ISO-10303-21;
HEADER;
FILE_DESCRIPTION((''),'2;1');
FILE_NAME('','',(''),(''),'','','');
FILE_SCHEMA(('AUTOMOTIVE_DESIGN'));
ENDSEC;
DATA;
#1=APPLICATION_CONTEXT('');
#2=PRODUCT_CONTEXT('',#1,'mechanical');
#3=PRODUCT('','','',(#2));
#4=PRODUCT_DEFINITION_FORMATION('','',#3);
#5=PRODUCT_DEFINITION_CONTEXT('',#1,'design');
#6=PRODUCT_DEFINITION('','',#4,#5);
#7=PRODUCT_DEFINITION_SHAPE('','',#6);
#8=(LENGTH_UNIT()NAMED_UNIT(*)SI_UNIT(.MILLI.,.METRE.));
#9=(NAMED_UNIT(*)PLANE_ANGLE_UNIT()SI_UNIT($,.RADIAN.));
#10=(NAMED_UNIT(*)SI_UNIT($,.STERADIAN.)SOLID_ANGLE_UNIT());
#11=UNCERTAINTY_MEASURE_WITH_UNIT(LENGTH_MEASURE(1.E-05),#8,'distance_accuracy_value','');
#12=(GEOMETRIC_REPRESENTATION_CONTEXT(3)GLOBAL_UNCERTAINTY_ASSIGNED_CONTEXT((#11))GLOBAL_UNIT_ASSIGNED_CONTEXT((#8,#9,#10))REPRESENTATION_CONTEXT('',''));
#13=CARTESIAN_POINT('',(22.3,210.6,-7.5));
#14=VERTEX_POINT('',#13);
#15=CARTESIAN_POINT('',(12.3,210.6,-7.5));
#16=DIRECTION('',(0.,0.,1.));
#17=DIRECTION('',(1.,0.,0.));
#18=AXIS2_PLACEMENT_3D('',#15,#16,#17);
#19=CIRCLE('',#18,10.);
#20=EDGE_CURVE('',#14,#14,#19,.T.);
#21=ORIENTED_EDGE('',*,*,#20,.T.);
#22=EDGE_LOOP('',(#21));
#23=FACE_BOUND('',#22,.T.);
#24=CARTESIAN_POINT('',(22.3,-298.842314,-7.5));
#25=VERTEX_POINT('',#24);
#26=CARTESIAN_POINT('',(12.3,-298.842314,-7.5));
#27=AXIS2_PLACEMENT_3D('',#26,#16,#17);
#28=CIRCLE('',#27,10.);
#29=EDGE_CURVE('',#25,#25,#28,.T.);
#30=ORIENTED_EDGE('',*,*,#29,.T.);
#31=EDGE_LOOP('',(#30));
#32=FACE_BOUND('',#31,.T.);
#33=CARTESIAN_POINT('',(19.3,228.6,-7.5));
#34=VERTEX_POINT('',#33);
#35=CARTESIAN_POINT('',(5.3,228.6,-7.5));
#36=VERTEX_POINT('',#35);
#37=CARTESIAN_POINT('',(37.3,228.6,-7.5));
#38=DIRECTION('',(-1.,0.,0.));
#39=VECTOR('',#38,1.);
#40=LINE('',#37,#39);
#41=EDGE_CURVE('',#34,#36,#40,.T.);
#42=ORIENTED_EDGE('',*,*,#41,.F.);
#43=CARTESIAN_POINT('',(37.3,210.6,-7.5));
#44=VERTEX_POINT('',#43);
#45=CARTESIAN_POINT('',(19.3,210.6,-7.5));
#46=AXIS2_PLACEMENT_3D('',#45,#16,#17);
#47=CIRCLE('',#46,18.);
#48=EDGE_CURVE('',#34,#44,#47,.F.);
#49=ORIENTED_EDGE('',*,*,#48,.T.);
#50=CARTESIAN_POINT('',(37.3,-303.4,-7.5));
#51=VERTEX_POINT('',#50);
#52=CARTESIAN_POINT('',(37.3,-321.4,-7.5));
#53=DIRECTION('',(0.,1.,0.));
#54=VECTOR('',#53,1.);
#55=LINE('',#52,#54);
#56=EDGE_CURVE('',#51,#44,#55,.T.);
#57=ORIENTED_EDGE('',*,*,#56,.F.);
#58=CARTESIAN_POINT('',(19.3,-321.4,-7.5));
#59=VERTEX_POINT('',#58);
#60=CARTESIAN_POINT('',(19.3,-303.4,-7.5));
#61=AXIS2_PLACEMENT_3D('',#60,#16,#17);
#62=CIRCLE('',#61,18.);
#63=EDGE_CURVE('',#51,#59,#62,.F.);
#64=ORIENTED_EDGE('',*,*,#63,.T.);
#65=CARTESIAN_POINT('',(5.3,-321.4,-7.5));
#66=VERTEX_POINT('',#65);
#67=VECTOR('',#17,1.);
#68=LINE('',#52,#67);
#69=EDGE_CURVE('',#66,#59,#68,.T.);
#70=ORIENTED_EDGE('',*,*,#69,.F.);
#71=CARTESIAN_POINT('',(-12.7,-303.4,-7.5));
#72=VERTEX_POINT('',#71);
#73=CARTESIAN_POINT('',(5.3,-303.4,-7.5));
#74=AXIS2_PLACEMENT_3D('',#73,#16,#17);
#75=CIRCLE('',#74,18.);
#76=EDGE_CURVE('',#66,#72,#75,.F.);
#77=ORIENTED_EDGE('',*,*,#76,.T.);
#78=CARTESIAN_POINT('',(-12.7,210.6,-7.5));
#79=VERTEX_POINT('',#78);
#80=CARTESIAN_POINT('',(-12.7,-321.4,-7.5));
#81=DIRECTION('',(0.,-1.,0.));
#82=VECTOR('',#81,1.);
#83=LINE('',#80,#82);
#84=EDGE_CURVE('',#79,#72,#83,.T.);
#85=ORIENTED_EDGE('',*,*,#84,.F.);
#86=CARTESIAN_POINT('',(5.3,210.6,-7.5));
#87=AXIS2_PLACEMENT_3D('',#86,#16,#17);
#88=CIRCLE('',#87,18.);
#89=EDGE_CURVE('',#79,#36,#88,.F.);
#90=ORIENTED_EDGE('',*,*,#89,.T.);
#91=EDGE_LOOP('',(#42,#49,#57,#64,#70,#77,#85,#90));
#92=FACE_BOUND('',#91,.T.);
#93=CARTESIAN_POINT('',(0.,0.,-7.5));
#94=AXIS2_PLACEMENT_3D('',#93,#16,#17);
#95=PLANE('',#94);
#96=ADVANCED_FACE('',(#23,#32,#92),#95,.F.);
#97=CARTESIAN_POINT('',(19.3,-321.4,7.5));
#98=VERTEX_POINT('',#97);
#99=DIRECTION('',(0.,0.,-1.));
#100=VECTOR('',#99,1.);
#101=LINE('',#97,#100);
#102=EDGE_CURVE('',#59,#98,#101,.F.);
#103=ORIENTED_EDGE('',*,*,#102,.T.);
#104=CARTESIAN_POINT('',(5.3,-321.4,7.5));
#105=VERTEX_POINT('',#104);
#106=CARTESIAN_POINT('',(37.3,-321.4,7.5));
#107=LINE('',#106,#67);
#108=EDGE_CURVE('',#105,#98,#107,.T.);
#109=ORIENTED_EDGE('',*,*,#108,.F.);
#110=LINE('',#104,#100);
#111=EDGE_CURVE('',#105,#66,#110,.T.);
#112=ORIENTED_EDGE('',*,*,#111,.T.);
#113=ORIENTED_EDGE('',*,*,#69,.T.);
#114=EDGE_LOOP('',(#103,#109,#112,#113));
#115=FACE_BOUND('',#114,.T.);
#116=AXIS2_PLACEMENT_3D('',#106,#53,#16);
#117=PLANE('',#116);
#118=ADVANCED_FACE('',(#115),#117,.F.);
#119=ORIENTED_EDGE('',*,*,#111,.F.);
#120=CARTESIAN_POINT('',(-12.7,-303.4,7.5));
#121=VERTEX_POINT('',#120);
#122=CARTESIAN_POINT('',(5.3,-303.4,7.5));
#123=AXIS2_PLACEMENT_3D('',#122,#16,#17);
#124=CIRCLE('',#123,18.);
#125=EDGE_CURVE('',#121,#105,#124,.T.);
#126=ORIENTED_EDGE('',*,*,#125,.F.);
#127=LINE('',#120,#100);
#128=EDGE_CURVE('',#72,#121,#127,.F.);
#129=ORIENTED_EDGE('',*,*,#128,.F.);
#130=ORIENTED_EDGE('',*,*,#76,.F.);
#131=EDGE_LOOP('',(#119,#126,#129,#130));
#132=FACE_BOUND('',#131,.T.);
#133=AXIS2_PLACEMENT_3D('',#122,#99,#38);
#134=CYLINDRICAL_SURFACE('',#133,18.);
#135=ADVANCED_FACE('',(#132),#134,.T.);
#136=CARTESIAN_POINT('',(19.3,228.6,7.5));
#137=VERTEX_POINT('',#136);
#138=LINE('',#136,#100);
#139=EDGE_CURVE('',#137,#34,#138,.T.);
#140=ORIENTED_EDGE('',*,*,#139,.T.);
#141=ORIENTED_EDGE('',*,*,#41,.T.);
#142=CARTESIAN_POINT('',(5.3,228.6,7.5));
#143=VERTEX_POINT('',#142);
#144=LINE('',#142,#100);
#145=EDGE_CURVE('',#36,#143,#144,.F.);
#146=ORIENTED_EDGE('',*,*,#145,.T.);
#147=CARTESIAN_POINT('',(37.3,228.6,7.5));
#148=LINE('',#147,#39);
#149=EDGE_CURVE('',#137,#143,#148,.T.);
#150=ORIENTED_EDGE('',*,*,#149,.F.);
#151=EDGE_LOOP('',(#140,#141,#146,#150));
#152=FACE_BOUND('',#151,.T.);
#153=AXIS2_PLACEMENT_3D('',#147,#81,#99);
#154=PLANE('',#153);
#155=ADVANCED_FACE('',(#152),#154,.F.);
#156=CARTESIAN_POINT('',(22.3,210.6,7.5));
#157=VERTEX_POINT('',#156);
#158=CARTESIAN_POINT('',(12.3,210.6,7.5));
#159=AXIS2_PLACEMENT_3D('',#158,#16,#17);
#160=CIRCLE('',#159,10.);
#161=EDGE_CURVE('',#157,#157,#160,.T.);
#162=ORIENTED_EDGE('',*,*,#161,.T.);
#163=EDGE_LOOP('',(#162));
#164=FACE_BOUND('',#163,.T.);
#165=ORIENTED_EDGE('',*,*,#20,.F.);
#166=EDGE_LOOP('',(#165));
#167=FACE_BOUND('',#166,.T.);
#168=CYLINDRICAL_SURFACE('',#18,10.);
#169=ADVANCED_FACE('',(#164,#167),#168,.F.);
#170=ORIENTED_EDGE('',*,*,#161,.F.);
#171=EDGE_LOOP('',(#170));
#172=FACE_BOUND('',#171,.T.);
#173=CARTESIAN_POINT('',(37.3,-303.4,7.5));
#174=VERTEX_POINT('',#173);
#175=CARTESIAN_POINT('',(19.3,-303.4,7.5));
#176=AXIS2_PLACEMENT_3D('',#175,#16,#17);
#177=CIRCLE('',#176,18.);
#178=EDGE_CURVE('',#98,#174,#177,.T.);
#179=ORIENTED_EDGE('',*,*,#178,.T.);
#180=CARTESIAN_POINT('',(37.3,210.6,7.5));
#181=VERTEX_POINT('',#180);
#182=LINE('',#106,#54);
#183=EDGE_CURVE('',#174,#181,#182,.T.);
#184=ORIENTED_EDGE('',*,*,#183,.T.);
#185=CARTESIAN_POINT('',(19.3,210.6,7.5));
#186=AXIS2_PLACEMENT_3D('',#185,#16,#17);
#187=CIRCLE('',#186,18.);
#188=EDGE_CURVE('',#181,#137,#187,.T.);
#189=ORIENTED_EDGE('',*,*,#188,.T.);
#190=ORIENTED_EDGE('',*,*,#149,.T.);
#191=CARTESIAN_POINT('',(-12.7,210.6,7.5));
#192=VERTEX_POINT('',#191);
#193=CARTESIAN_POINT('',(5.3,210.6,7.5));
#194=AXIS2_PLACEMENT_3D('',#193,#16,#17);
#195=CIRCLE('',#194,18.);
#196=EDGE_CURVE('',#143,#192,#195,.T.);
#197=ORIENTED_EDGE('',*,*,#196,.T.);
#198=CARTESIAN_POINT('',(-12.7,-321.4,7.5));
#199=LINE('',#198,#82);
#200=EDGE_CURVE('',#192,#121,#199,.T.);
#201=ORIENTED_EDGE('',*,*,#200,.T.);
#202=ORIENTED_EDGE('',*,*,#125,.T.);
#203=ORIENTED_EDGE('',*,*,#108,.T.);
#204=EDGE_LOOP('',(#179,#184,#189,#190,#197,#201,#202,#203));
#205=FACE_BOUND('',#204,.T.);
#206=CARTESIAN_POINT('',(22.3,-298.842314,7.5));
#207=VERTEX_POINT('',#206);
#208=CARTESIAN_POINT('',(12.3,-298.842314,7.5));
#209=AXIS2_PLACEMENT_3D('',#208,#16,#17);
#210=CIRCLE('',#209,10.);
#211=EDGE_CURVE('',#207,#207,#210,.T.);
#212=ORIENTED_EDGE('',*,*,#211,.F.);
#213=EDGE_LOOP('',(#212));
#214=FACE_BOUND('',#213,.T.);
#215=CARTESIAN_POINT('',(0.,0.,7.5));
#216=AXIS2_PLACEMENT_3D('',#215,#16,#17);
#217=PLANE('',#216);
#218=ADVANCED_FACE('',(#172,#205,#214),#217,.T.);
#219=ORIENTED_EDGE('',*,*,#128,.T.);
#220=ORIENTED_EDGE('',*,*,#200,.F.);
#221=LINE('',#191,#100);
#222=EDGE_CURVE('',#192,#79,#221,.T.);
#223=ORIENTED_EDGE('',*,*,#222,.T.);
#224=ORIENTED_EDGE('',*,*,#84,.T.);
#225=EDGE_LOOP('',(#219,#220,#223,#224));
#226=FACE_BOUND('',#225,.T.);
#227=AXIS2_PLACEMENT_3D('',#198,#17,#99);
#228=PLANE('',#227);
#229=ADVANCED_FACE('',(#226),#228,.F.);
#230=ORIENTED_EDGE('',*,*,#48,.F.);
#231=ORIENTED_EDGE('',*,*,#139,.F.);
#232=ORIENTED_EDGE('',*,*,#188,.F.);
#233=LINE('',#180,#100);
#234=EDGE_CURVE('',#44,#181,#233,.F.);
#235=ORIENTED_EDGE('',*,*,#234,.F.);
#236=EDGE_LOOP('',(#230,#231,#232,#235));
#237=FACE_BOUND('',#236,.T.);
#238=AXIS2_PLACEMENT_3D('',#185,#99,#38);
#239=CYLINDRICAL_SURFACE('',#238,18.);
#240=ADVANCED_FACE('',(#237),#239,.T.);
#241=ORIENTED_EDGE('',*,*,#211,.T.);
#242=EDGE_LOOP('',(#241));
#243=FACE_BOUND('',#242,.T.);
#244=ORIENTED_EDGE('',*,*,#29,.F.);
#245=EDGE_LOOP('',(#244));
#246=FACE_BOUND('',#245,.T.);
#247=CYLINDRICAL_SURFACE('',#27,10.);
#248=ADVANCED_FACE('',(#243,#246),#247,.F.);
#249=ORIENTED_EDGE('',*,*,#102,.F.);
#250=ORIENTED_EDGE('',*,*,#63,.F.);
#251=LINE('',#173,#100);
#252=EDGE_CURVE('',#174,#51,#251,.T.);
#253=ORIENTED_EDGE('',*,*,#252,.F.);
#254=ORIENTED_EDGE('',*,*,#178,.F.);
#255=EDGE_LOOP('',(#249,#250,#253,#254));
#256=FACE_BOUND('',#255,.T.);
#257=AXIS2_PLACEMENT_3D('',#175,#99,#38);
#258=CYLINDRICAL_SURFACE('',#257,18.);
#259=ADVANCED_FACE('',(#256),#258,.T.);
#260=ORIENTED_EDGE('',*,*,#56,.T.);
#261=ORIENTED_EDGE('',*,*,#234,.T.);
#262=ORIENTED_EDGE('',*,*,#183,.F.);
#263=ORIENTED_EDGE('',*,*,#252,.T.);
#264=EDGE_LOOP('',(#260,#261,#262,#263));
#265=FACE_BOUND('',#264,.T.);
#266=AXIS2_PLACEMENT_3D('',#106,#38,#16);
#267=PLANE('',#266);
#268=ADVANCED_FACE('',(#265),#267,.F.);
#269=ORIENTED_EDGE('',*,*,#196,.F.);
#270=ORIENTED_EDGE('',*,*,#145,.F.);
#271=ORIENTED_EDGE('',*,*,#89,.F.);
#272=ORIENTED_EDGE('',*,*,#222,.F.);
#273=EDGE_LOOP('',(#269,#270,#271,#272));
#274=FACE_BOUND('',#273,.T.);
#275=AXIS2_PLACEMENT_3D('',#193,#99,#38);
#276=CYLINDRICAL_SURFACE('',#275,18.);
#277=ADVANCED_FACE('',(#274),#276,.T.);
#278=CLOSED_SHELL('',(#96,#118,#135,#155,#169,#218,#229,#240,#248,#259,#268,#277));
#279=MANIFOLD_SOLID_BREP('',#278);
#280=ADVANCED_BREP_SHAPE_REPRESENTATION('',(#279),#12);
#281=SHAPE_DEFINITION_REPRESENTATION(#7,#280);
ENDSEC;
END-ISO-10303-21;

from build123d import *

# Parameters (mm, degrees)
SKETCH7_W           = 50
SKETCH7_H           = 550
BOSS_EXTRUDE1_DEPTH = 7.5
FILLET1_R           = 18
SKETCH8_R           = 10
CUT_EXTRUDE1_DEPTH  = 324.904692772
SKETCH9_R           = 10
CUT_EXTRUDE2_DEPTH  = 324.904692772


with BuildPart() as part:
    # Sketch7 → Boss-Extrude1 (new, symmetric)
    with BuildSketch(Plane.XY):
        with Locations((12.3, -46.4)):
            Rectangle(SKETCH7_W, SKETCH7_H)
    extrude(amount=BOSS_EXTRUDE1_DEPTH, both=True)

    # Fillet1
    fillet1_edges = [part.edges().sort_by_distance(p)[0] for p in [
        (-12.7, 228.6, 0),
        (37.3, 228.6, 0),
        (37.3, -321.4, 0),
        (-12.7, -321.4, 0),
    ]]
    fillet(fillet1_edges, radius=FILLET1_R)

    # Sketch8 → Cut-Extrude1 (cut, through all)
    with BuildSketch(Plane.XY.offset(7.5)):
        with Locations((12.3, 210.6)):
            Circle(SKETCH8_R)
    extrude(amount=-CUT_EXTRUDE1_DEPTH, mode=Mode.SUBTRACT)

    # Sketch9 → Cut-Extrude2 (cut, through all)
    with BuildSketch(Plane.XY.offset(7.5)):
        with Locations((12.3, -298.842314327)):
            Circle(SKETCH9_R)
    extrude(amount=-CUT_EXTRUDE2_DEPTH, mode=Mode.SUBTRACT)


solid = part.part
